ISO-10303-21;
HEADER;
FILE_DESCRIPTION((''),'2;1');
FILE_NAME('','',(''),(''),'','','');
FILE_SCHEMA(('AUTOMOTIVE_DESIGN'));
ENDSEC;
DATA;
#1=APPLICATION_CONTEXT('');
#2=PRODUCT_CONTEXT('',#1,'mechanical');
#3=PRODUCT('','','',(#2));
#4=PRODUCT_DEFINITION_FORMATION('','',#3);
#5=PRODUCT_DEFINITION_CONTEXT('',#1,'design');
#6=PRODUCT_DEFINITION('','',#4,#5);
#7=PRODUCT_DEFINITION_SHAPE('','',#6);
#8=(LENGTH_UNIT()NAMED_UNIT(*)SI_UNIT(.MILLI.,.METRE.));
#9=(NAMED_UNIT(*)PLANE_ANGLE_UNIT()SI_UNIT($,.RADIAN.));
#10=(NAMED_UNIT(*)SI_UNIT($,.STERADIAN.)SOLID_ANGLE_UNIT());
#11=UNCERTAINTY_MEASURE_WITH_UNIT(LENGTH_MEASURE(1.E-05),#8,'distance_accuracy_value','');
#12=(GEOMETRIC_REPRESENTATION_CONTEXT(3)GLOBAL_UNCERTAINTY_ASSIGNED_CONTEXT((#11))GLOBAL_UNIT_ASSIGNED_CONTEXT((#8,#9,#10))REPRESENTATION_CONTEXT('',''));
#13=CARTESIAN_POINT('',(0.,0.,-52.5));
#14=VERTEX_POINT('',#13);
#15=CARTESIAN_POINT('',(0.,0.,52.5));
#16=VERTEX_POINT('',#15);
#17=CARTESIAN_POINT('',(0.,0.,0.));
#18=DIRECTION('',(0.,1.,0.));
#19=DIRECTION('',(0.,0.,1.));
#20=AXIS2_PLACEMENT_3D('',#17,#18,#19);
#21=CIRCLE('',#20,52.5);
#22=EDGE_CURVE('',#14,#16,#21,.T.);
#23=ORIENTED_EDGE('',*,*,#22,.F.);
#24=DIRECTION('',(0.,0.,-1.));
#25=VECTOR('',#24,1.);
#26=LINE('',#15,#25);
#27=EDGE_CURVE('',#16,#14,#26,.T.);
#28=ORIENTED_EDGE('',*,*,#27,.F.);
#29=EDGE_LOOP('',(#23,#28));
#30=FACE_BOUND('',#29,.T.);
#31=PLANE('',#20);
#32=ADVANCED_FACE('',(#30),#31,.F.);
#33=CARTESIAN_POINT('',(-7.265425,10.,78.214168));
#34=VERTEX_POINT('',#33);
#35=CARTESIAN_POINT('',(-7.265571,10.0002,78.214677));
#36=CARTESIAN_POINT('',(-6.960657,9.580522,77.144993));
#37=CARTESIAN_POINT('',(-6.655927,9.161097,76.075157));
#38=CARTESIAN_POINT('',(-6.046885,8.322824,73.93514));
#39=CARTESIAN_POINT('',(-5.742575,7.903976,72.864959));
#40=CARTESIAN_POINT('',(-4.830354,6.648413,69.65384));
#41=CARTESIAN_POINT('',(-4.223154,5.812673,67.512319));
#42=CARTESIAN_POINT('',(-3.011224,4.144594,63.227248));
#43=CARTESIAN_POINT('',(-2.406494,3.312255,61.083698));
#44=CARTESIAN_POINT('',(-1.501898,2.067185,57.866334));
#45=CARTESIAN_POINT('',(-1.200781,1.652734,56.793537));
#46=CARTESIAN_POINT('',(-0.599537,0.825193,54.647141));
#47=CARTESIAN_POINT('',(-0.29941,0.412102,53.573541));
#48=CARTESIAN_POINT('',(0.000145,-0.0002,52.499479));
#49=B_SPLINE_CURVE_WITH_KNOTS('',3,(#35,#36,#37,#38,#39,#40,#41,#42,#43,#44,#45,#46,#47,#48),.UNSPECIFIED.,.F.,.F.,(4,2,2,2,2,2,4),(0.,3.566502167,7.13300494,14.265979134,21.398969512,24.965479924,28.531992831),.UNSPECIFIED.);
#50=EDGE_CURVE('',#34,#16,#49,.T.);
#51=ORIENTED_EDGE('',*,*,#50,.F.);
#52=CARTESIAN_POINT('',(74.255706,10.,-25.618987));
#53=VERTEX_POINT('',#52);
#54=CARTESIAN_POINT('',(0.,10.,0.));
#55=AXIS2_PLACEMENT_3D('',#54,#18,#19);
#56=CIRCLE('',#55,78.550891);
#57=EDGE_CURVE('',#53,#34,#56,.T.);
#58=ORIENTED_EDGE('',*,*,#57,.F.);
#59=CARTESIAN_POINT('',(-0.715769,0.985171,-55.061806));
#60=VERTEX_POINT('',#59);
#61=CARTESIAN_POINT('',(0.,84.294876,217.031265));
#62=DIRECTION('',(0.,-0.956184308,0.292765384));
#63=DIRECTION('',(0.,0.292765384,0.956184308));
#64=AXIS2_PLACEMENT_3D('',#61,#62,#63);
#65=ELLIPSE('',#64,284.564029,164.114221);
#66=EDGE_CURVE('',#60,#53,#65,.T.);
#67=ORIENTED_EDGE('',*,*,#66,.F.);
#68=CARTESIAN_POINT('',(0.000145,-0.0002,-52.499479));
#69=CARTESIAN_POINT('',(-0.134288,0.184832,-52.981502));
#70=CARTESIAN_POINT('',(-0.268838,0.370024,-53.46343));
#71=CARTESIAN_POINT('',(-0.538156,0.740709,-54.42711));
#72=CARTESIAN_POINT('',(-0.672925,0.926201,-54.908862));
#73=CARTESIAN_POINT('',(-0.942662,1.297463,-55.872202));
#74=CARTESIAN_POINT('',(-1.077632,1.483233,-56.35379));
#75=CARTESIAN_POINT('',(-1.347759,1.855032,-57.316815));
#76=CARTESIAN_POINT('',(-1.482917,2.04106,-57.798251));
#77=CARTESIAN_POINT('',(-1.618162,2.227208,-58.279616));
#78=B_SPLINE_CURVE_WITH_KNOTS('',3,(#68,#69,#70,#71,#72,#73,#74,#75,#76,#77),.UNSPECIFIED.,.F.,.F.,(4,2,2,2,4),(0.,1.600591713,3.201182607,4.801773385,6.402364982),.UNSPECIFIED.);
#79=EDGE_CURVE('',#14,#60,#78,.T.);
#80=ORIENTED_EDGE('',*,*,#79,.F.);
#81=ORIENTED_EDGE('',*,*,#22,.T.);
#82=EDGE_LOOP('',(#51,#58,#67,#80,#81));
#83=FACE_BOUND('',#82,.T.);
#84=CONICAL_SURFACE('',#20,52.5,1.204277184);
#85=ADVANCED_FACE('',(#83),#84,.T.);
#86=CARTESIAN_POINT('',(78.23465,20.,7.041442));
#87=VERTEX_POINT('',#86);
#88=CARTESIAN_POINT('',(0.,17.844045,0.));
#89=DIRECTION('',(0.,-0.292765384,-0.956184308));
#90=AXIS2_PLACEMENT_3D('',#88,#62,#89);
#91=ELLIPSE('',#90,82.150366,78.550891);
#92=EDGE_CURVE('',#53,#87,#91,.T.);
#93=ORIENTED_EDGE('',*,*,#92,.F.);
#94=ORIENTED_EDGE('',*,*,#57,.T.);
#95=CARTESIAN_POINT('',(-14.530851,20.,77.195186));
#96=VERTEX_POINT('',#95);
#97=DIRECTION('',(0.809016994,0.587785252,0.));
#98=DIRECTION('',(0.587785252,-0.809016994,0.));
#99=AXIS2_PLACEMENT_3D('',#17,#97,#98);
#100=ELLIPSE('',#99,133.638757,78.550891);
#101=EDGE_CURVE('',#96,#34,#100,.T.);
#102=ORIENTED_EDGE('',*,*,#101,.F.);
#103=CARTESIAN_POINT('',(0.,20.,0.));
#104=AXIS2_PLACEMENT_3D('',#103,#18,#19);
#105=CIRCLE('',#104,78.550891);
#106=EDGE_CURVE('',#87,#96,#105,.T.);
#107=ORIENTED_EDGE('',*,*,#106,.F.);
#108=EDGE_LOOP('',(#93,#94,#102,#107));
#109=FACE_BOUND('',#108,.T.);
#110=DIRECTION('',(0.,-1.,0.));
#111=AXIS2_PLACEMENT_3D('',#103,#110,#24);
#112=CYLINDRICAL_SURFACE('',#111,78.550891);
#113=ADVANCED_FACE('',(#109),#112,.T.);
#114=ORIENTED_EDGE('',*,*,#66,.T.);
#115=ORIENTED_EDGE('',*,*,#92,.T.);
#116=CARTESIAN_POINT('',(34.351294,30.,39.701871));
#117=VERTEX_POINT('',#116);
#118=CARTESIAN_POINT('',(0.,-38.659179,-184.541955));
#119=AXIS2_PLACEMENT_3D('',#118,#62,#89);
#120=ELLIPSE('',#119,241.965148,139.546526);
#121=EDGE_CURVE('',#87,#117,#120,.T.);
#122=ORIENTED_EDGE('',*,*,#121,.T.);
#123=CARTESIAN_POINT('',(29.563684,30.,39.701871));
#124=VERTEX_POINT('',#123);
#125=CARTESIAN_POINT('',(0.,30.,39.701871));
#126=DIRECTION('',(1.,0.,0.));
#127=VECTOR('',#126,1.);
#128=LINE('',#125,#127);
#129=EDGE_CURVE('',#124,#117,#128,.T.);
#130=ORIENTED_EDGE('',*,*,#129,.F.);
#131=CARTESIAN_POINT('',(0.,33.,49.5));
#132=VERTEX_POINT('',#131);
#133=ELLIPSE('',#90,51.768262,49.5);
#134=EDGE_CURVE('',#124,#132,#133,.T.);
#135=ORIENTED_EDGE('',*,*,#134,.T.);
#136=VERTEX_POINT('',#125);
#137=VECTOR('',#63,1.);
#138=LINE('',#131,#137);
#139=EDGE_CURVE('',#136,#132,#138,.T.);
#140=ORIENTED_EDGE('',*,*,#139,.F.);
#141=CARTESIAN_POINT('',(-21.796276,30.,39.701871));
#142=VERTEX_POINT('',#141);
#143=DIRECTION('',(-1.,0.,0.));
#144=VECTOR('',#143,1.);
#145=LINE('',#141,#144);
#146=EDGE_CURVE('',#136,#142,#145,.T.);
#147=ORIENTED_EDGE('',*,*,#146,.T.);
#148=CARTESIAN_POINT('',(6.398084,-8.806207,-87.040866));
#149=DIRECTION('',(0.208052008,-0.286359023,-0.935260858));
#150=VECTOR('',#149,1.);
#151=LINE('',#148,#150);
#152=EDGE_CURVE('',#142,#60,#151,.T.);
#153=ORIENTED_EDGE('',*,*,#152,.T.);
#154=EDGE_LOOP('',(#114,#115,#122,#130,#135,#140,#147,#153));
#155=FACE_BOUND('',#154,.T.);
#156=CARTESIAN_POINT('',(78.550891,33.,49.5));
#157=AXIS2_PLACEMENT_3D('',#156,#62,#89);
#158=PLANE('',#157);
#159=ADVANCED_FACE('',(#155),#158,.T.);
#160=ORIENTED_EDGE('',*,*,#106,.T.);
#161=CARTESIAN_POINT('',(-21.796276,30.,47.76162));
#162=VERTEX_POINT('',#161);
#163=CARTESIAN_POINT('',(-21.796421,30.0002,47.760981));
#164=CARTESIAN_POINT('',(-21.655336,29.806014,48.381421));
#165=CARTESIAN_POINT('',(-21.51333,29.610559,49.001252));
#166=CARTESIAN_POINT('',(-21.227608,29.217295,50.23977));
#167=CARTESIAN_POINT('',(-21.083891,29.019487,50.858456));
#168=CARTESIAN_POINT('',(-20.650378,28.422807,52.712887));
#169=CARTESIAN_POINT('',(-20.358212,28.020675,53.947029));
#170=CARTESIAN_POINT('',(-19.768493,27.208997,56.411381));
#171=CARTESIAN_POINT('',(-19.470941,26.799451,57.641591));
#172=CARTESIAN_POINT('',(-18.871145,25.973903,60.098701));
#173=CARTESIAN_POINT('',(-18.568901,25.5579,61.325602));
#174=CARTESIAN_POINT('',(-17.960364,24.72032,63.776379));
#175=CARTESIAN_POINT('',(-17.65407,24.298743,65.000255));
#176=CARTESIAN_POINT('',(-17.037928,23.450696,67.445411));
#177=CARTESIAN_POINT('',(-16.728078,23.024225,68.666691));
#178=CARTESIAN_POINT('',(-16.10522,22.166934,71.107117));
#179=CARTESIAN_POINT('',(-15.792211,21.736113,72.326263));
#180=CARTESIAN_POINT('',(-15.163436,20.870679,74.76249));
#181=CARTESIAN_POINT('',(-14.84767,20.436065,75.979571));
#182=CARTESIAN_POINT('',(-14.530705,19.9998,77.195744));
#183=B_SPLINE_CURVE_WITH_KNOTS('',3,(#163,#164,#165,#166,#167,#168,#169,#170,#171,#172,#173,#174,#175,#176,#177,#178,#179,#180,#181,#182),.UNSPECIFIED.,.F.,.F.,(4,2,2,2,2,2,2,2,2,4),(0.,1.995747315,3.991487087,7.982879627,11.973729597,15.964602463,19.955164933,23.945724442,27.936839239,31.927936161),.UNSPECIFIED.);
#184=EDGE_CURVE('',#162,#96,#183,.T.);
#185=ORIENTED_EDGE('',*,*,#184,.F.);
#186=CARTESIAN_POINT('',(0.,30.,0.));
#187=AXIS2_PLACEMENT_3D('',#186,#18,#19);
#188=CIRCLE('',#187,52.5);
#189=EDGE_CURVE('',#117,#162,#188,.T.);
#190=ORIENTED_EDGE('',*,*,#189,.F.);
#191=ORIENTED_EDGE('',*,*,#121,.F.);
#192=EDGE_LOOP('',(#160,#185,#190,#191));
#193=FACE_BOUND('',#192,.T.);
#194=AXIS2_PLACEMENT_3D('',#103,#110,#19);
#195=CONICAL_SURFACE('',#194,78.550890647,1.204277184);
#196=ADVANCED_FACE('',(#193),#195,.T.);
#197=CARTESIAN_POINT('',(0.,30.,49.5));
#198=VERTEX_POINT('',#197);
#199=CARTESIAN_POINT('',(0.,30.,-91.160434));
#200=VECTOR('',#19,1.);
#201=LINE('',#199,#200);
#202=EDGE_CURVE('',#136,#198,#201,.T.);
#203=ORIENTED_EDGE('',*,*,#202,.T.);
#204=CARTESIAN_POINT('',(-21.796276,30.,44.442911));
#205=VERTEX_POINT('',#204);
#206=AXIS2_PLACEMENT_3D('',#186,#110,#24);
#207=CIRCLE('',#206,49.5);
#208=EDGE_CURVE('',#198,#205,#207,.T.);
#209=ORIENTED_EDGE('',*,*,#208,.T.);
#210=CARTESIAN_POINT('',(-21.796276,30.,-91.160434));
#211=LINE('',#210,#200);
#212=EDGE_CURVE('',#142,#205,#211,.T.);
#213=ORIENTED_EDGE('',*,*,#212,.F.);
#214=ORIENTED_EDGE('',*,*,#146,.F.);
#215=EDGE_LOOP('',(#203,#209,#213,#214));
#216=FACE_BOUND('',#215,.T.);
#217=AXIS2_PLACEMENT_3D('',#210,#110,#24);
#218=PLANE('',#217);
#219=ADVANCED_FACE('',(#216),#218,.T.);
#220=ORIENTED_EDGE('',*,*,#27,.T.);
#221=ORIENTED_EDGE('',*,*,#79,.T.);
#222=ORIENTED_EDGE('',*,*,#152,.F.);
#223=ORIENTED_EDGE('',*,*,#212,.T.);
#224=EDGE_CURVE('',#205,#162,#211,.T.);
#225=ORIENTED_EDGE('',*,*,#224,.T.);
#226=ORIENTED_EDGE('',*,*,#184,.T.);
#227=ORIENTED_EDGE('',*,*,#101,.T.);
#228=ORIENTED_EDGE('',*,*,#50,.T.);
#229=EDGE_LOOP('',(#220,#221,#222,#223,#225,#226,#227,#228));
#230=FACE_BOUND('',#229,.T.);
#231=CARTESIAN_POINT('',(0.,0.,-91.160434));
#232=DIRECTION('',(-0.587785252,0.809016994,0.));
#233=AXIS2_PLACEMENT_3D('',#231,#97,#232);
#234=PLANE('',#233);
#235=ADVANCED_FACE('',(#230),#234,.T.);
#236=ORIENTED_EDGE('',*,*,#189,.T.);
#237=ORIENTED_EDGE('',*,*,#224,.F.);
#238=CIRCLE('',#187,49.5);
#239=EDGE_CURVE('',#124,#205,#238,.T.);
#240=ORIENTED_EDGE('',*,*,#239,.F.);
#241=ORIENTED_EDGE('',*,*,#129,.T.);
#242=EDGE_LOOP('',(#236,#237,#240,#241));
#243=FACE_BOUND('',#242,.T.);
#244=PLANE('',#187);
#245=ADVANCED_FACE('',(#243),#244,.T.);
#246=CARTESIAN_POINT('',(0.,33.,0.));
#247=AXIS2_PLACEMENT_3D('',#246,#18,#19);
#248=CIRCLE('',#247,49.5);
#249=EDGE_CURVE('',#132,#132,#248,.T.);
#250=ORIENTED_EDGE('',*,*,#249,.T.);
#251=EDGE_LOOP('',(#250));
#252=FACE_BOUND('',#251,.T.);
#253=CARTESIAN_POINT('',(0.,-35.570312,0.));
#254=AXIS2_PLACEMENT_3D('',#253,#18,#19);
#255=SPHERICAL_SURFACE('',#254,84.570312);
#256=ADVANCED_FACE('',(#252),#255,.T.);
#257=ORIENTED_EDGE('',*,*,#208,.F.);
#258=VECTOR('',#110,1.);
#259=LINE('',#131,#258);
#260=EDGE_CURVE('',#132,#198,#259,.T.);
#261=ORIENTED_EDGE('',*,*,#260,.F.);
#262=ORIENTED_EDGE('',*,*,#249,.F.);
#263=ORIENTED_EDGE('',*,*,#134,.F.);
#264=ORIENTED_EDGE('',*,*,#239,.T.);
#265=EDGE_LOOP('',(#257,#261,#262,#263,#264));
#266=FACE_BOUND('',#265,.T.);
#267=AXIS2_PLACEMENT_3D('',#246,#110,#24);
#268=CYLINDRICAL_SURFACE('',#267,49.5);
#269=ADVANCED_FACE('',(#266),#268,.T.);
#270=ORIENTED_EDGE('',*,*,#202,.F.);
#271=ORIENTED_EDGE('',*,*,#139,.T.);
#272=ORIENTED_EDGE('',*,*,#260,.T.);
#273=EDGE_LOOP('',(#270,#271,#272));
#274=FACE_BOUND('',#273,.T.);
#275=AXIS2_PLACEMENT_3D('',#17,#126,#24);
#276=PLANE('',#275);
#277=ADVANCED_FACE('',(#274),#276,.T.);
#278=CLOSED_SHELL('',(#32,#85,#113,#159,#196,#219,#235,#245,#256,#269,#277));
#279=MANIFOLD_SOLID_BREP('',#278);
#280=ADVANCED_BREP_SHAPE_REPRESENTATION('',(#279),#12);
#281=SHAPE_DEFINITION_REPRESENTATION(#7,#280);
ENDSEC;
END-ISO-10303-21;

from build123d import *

# Parameters (mm, degrees)
CROQUIS1_R              = 52.5
SALIENTE_EXTRUIR1_DEPTH = 10
SALIENTE_EXTRUIR1_DRAFT = -69
CROQUIS2_R              = 78.550890647
SALIENTE_EXTRUIR2_DEPTH = 10
CROQUIS3_R              = 78.550890647
SALIENTE_EXTRUIR3_DEPTH = 10
SALIENTE_EXTRUIR3_TAPER = 69
CROQUIS4_R              = 49.5
SALIENTE_EXTRUIR4_DEPTH = 3
C_PULA1_FACE_RADIUS     = 49.5
C_PULA1_HEIGHT          = 16
CORTAR_EXTRUIR1_DEPTH   = 122.414516736
CORTAR_EXTRUIR3_REACH   = 184.352


with BuildPart() as part:
    # Croquis1 → Saliente-Extruir1 (with draft: the straight prism first)
    with BuildSketch(Plane(origin=(0, 0, 0), x_dir=(1, 0, 0), z_dir=(0, 1, 0))):
        Circle(CROQUIS1_R)
    extrude(amount=SALIENTE_EXTRUIR1_DEPTH)
    # Saliente-Extruir1: the draft: its side faces are tilted about the plane it starts from
    saliente_extruir1_sides = [part.faces().sort_by_distance(p)[0] for p in [
        (-52.5, 5, 0),
    ]]
    draft(saliente_extruir1_sides, Plane(origin=(0, 0, 0), x_dir=(1, 0, 0), z_dir=(0, 1, 0)), SALIENTE_EXTRUIR1_DRAFT)

    # Croquis2 → Saliente-Extruir2 (add)
    with BuildSketch(Plane(origin=(0, 10, 0), x_dir=(1, 0, 0), z_dir=(0, 1, 0))):
        with Locations(Location((0, 0, 0), (0, 0, 270))):
            Circle(CROQUIS2_R)
    extrude(amount=SALIENTE_EXTRUIR2_DEPTH)

    # Croquis3 → Saliente-Extruir3 (add)
    with BuildSketch(Plane(origin=(0, 20, 0), x_dir=(1, 0, 0), z_dir=(0, 1, 0))):
        with Locations(Location((0, 0, 0), (0, 0, 270))):
            Circle(CROQUIS3_R)
    extrude(amount=SALIENTE_EXTRUIR3_DEPTH, taper=SALIENTE_EXTRUIR3_TAPER)

    # Croquis4 → Saliente-Extruir4 (add)
    with BuildSketch(Plane(origin=(0, 30, 0), x_dir=(1, 0, 0), z_dir=(0, 1, 0))):
        with Locations(Location((0, 0, 0), (0, 0, 270))):
            Circle(CROQUIS4_R)
    extrude(amount=SALIENTE_EXTRUIR4_DEPTH)

    # Cúpula1: a dome of height H over a round flat face of radius A is a cap of a sphere of radius (A * A + H * H) / (2 * H)
    c_pula1_r = (C_PULA1_FACE_RADIUS * C_PULA1_FACE_RADIUS + C_PULA1_HEIGHT * C_PULA1_HEIGHT) / (2 * C_PULA1_HEIGHT)
    c_pula1_base = Plane((0, 33, 0), z_dir=(0, 1, 0))
    with Locations(c_pula1_base.offset(C_PULA1_HEIGHT - c_pula1_r)):
        c_pula1_ball = Sphere(c_pula1_r, mode=Mode.PRIVATE)
    add(split(c_pula1_ball, bisect_by=c_pula1_base, keep=Keep.TOP, mode=Mode.PRIVATE))

    # Croquis6 → Cortar-Extruir1 (cut, through all)
    with BuildSketch(Plane(origin=(0, 0, 0), x_dir=(0, 0, -1), z_dir=(1, 0, 0))):
        Polygon((-49.5, 33), (55.064393683, 0.984378507), (52.5, 0), (-52.5, 0), (-78.550890647, 10), (-78.550890647, 20), align=None)
    extrude(amount=CORTAR_EXTRUIR1_DEPTH, mode=Mode.SUBTRACT)

    # Cortar-Extruir3: up to this plane
    cortar_extruir3_end = Plane(origin=(78.550890647, 33, 49.5), z_dir=(0, -0.9561843075173418, 0.2927653839810668))
    # Croquis9 → Cortar-Extruir3 (cut, up to the surface)
    with BuildSketch(Plane.XY.offset(78.550890647), mode=Mode.PRIVATE) as cortar_extruir3_sk1:
        Polygon((0, 0), (-21.79627584, 30), (0, 30), align=None)
    cortar_extruir3_tool1 = split(extrude(cortar_extruir3_sk1.sketch, amount=-CORTAR_EXTRUIR3_REACH, mode=Mode.PRIVATE), bisect_by=cortar_extruir3_end, keep=Keep.BOTH, mode=Mode.PRIVATE)
    add(cortar_extruir3_tool1.solids().sort_by_distance((-7.265425, 20, 78.550891))[0], mode=Mode.SUBTRACT)


solid = part.part
